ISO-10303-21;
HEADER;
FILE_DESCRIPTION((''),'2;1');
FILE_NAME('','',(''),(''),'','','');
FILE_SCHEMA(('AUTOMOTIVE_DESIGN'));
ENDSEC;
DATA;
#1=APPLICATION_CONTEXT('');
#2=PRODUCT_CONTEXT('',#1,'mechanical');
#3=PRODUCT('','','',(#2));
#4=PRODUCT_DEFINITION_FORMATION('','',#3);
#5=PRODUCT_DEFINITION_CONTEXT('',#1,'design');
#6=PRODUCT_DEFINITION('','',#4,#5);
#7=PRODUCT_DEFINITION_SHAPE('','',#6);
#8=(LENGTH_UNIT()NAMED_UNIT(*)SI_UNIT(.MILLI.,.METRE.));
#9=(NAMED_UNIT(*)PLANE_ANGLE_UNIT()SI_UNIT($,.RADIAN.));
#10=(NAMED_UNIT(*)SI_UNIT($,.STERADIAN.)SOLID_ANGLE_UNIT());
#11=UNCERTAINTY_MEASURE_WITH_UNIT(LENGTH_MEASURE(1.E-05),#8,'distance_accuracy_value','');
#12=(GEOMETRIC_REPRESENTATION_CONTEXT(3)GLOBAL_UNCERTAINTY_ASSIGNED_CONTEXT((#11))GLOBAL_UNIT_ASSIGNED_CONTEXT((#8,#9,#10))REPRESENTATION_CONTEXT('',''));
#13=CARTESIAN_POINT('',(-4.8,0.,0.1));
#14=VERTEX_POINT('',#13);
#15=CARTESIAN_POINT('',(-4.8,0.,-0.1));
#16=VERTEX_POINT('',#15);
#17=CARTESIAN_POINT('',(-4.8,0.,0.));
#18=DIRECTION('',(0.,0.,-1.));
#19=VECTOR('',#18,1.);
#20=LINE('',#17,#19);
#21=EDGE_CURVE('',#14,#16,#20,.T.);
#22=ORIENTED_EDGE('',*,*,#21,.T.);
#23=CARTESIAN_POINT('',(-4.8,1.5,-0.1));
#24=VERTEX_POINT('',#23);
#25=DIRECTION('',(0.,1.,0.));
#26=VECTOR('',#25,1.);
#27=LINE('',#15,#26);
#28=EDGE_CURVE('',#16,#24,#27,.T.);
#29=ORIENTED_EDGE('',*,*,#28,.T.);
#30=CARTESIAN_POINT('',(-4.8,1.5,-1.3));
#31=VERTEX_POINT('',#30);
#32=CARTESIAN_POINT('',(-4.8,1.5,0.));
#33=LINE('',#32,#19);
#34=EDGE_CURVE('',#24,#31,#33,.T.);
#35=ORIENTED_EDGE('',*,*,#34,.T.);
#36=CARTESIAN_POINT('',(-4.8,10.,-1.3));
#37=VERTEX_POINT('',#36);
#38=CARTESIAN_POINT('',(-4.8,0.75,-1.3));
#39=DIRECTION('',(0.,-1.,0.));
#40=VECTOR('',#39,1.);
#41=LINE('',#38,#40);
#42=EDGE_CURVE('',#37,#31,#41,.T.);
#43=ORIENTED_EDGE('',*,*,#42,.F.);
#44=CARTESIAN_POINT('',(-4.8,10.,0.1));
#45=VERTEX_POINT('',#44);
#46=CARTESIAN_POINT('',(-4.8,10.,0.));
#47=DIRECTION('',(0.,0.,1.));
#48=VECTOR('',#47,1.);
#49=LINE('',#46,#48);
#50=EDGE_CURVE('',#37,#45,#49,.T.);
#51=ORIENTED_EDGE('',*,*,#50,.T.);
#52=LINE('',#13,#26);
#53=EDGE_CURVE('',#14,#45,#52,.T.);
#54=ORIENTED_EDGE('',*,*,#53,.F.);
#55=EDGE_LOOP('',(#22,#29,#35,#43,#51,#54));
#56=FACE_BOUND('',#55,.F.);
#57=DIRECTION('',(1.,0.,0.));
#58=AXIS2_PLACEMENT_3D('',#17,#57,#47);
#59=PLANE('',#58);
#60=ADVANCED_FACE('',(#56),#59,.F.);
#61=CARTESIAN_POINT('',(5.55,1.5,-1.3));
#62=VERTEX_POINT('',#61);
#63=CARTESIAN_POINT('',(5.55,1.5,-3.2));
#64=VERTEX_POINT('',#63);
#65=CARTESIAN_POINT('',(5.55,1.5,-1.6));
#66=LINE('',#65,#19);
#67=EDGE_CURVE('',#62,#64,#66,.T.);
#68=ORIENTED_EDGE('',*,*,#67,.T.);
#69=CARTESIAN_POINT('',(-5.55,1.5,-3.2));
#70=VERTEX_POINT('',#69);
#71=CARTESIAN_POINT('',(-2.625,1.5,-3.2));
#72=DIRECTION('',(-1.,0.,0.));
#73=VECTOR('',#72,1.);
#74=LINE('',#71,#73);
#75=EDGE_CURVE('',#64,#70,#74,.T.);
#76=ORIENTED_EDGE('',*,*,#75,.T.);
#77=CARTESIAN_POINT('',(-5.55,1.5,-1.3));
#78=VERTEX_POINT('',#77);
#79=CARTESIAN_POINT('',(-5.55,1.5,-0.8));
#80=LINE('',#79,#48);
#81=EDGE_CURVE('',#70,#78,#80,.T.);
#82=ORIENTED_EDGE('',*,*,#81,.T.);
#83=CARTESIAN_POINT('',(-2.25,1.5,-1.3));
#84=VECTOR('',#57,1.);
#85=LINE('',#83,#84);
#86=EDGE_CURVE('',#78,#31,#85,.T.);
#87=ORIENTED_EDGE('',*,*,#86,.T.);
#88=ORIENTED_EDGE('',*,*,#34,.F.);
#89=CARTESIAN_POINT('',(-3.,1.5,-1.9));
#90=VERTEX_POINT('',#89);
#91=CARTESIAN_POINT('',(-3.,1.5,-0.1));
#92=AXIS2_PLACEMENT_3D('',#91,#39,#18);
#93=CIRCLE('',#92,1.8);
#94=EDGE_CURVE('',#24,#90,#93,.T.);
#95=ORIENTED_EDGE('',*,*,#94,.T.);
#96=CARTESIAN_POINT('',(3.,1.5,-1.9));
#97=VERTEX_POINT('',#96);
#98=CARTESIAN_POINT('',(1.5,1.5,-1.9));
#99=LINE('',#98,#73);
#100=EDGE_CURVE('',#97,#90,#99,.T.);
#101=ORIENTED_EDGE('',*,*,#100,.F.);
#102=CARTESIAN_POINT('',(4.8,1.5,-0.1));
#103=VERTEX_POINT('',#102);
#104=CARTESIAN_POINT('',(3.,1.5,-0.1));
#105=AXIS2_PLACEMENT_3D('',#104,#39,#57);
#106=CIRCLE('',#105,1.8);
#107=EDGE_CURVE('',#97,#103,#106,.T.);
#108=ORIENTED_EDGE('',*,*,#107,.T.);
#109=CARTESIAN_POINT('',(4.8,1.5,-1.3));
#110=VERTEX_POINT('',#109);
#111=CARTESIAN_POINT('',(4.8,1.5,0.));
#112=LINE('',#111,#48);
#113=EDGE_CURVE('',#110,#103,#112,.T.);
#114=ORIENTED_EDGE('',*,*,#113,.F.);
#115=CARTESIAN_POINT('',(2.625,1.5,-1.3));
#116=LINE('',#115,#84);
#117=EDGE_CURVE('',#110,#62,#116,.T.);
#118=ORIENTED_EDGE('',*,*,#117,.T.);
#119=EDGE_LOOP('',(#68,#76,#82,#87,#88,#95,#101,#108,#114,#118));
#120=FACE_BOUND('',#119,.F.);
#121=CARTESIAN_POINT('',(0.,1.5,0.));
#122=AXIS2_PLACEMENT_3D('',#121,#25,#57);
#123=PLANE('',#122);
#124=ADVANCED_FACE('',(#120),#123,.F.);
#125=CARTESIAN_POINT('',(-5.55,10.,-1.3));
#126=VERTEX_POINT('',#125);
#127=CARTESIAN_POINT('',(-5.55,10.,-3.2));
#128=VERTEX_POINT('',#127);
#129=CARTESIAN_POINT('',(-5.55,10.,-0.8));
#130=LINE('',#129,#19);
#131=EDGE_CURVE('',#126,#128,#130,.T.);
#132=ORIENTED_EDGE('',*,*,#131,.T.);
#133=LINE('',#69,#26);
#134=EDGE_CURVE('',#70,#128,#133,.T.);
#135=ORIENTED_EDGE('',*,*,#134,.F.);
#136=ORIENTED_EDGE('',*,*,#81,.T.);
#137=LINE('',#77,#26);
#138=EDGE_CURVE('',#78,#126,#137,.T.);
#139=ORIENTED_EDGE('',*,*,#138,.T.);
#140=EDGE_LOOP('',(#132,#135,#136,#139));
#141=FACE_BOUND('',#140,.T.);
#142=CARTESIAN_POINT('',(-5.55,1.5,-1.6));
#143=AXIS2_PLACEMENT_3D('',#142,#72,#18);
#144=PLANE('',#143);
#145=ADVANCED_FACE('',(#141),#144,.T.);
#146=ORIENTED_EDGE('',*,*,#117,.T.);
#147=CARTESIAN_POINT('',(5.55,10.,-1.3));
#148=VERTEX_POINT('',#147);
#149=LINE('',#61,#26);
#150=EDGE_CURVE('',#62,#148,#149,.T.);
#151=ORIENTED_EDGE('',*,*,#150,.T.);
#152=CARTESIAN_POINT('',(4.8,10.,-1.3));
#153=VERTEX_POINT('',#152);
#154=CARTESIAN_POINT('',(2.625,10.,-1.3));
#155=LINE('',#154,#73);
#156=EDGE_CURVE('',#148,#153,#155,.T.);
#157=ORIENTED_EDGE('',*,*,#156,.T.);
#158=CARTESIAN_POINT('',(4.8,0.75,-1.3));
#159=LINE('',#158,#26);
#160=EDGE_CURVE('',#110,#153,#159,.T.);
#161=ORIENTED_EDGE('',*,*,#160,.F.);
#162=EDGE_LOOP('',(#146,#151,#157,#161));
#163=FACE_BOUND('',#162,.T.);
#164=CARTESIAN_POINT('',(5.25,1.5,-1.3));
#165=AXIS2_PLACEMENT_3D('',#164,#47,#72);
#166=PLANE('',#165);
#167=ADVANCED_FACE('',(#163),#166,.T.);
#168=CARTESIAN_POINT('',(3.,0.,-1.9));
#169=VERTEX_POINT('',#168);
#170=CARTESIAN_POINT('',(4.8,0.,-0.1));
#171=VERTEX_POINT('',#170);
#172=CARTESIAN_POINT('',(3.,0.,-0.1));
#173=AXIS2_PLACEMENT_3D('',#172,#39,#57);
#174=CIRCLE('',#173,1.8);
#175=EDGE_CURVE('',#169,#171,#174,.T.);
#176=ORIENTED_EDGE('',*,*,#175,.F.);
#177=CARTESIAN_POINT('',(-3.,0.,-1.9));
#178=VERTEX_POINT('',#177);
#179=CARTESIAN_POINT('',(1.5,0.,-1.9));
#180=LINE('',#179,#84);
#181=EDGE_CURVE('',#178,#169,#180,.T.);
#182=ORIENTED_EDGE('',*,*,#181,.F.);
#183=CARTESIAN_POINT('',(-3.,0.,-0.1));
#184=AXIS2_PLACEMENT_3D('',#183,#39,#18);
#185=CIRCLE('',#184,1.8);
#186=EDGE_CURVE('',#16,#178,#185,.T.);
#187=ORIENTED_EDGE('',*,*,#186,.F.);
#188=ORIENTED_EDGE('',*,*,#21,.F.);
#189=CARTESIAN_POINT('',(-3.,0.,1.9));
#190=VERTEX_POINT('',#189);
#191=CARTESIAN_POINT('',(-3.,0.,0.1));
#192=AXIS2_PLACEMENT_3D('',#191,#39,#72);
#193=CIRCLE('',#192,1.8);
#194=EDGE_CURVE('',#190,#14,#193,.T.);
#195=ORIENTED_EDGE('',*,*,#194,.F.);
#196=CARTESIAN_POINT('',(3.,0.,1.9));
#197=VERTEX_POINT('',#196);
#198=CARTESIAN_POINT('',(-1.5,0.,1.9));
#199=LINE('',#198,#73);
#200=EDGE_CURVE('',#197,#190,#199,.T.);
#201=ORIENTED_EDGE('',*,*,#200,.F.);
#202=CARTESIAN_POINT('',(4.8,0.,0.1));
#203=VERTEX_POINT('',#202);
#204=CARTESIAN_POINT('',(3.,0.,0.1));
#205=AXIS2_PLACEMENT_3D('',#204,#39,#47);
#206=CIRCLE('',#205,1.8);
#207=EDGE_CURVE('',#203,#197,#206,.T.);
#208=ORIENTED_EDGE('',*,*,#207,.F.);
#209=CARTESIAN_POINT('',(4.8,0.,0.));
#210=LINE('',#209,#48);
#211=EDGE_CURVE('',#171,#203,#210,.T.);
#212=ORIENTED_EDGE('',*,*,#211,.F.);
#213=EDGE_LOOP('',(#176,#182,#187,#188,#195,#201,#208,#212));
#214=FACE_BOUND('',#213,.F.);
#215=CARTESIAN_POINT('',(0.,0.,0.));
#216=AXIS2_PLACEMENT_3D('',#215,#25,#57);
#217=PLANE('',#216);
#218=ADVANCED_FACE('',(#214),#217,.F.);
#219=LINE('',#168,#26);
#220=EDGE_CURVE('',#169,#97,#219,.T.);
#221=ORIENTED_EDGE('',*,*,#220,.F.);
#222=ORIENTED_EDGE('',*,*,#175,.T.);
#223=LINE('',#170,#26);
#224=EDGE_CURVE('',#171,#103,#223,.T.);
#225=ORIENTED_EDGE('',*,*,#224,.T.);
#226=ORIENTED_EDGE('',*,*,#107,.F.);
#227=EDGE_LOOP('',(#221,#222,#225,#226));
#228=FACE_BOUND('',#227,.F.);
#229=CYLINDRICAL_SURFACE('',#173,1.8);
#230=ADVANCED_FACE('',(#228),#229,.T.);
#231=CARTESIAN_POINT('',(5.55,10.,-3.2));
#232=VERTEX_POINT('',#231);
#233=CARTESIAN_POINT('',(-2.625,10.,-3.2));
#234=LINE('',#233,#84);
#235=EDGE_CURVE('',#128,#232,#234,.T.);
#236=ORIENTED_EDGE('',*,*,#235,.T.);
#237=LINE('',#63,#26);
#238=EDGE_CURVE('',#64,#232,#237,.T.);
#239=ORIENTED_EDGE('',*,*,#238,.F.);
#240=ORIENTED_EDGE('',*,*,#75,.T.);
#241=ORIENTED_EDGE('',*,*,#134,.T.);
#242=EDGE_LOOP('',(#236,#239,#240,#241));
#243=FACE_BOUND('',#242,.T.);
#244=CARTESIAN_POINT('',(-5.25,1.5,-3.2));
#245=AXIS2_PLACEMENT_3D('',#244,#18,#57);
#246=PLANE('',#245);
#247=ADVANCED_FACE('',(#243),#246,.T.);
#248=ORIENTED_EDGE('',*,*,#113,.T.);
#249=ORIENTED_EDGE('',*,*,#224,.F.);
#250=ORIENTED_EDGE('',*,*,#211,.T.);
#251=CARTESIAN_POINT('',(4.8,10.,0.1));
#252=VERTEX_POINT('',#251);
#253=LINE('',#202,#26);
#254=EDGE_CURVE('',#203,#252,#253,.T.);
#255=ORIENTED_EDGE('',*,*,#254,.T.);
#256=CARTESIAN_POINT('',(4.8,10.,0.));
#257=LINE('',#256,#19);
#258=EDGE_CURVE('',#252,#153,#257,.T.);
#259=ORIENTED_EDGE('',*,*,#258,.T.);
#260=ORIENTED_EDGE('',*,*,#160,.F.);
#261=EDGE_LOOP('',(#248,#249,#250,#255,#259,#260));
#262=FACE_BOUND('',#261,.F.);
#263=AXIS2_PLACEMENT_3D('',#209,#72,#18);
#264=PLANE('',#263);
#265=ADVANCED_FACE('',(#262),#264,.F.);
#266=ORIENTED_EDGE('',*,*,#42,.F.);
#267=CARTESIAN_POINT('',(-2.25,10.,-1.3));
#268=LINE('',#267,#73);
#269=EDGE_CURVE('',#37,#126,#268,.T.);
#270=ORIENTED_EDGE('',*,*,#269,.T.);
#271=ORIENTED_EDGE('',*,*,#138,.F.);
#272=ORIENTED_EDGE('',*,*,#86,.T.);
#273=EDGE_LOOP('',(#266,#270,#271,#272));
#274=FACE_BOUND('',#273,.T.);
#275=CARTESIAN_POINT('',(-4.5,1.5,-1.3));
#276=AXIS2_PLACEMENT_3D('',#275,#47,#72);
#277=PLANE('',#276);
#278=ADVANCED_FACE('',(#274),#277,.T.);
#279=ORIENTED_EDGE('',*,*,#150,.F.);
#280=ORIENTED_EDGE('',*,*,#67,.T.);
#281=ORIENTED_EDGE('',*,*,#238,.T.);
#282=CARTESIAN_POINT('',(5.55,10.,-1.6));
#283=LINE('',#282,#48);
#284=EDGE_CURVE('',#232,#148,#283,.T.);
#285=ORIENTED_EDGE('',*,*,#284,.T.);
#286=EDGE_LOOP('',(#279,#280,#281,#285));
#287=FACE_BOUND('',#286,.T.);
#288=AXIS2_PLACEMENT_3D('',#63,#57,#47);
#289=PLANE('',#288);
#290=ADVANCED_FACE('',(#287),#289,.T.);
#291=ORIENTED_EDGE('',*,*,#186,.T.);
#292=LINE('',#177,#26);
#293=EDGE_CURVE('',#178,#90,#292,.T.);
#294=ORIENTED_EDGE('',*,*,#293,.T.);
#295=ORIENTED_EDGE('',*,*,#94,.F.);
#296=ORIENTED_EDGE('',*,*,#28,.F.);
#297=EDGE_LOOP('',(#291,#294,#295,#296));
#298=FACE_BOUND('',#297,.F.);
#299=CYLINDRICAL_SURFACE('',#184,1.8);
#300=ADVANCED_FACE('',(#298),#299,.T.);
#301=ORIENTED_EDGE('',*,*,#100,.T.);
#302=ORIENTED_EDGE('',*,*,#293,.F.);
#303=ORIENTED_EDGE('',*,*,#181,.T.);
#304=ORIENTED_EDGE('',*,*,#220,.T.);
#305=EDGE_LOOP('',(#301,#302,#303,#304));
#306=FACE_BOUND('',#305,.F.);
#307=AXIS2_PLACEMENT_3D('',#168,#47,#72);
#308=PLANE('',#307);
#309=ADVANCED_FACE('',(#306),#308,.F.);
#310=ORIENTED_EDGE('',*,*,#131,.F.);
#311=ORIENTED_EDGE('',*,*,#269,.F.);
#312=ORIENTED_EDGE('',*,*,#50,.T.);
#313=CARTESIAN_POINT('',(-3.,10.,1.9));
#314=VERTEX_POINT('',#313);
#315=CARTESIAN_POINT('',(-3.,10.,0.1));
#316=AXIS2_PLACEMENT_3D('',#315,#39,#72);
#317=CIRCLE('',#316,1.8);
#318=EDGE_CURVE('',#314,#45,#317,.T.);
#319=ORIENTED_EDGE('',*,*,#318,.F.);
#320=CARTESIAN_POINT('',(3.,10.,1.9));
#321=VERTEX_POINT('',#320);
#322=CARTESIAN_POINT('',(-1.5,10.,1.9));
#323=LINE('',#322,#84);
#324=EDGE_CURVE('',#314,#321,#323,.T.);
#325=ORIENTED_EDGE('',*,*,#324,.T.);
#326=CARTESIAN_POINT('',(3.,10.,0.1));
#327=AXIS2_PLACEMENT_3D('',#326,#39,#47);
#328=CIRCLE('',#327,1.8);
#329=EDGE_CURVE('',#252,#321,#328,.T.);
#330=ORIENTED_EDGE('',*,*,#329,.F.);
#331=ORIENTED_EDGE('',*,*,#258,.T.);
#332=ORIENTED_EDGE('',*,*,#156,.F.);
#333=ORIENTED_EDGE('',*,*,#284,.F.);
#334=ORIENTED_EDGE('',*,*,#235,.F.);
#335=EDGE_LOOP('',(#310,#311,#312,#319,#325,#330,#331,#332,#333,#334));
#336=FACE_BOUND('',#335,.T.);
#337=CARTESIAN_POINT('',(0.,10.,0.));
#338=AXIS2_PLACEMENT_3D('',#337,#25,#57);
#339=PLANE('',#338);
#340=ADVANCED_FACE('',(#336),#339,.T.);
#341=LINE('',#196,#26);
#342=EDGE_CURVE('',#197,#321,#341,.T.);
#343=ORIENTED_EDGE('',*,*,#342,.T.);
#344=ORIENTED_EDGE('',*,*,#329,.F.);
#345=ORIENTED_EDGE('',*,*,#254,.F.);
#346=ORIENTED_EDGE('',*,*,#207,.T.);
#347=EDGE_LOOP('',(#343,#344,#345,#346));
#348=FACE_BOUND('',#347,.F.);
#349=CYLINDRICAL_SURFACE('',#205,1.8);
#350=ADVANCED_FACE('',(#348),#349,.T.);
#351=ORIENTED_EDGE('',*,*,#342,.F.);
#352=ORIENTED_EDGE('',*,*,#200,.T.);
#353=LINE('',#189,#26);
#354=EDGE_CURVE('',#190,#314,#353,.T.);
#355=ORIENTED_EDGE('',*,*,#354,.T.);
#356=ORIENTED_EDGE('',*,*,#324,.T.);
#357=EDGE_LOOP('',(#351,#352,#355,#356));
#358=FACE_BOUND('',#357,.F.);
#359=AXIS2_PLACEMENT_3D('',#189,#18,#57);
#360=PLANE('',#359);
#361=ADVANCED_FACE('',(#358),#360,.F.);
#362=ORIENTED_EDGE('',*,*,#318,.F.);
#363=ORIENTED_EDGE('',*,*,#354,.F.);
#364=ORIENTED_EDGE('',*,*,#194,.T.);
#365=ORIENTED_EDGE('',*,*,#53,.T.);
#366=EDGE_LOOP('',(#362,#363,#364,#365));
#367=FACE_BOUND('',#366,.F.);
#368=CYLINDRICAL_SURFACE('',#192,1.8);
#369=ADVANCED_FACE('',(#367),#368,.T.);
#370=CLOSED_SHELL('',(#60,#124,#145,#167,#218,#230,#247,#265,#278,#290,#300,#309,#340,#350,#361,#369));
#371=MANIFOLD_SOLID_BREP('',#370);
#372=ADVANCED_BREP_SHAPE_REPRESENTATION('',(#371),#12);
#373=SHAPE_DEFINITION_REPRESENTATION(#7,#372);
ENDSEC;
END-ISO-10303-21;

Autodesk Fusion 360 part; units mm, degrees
sketch "Sketch1" plane through (0, 0, 0) normal (0, 1, 0) x (1, 0, 0)
  line L0 (4.5, 1.6) -> (-4.5, 1.6)
  line L1 (-4.5, 0.1) -> (-4.5, -0.1)
  line L2 (-3, -1.6) -> (3, -1.6)
  line L3 (4.5, -0.1) -> (4.5, 0.1)
  line L4 (4.5, 1.6) -> (-4.5, -1.6) construction
  line L5 (-4.5, 1.6) -> (4.5, -1.6) construction
  arc A0 (-4.5, -0.1) -> (-3, -1.6) centre (-3, -0.1) ccw
  arc A1 (3, -1.6) -> (4.5, -0.1) centre (3, -0.1) ccw
  line L6 (3, 1.6) -> (-3, 1.6)
  arc A2 (-3, 1.6) -> (-4.5, 0.1) centre (-3, 0.1) ccw
  arc A3 (4.5, 0.1) -> (3, 1.6) centre (3, 0.1) ccw
  line L7 (4.5, 1.6) -> (4.5, 0)
  line L8 (-4.5, 1.6) -> (-4.5, 0)
  line L9 (-5.25, 3.2) -> (5.25, 3.2)
  line L10 (5.25, 3.2) -> (5.25, 1.6)
  line L11 (5.25, 1.6) -> (-5.25, 1.6)
  line L12 (-5.25, 1.6) -> (-5.25, 3.2)
  point P0 (0, 1.6)
  point P1 (0, 1.6)
  dimension "d5" = 9
  dimension "d6" = 3.2
  dimension "d8" = 1.5
  dimension "d11" = 1.5
  dimension "d12" = 10.5
  dimension "d13" = 1.6
extrude "Extrude1" add sketch "Sketch1" along normal blind 10 contours L0 L1 L2 L3 A0 A1 L6 A2 A3 L7 L8 L11
extrude "Extrude2" add sketch "Sketch1" along normal blind 8.5 from surface at 1.5 contours L0 A3 L7 L11 | L0 L6 L9 L10 L11 L12 | L0 A2 L8 L11
move_face "OffsetFaces1" offset 0.3 12 faces at (4.4983, 6.6667, 0.1714) (-1, 3.3333, 1.6) (-3.0714, 6.6667, 1.5983) (-4.5, 7.1667, -0.5333) (-4.75, 4.3333, -1.6) (-5.25, 4.3333, -2.1333) (4.5, 7.1667, -0.5333) (3.0714, 1, -1.5983) (1, 0.5, -1.6) (-4.3926, 1, -0.6575) (5, 4.3333, -1.6) (5.25, 4.3333, -2.6667)
equation "usb_c_width = 9 mm"
equation "usb_c_height = 3.2 mm"
equation "pcb_thickness = 1.6 mm"
equation "pcb_width = 10.5 mm"
equation "d5 = usb_c_width"
equation "d6 = usb_c_height"
equation "usb_c_fillet = 1.5 mm"
equation "d8 = usb_c_fillet"
equation "d11 = usb_c_fillet"
equation "d12 = pcb_width"
equation "d13 = pcb_thickness"
